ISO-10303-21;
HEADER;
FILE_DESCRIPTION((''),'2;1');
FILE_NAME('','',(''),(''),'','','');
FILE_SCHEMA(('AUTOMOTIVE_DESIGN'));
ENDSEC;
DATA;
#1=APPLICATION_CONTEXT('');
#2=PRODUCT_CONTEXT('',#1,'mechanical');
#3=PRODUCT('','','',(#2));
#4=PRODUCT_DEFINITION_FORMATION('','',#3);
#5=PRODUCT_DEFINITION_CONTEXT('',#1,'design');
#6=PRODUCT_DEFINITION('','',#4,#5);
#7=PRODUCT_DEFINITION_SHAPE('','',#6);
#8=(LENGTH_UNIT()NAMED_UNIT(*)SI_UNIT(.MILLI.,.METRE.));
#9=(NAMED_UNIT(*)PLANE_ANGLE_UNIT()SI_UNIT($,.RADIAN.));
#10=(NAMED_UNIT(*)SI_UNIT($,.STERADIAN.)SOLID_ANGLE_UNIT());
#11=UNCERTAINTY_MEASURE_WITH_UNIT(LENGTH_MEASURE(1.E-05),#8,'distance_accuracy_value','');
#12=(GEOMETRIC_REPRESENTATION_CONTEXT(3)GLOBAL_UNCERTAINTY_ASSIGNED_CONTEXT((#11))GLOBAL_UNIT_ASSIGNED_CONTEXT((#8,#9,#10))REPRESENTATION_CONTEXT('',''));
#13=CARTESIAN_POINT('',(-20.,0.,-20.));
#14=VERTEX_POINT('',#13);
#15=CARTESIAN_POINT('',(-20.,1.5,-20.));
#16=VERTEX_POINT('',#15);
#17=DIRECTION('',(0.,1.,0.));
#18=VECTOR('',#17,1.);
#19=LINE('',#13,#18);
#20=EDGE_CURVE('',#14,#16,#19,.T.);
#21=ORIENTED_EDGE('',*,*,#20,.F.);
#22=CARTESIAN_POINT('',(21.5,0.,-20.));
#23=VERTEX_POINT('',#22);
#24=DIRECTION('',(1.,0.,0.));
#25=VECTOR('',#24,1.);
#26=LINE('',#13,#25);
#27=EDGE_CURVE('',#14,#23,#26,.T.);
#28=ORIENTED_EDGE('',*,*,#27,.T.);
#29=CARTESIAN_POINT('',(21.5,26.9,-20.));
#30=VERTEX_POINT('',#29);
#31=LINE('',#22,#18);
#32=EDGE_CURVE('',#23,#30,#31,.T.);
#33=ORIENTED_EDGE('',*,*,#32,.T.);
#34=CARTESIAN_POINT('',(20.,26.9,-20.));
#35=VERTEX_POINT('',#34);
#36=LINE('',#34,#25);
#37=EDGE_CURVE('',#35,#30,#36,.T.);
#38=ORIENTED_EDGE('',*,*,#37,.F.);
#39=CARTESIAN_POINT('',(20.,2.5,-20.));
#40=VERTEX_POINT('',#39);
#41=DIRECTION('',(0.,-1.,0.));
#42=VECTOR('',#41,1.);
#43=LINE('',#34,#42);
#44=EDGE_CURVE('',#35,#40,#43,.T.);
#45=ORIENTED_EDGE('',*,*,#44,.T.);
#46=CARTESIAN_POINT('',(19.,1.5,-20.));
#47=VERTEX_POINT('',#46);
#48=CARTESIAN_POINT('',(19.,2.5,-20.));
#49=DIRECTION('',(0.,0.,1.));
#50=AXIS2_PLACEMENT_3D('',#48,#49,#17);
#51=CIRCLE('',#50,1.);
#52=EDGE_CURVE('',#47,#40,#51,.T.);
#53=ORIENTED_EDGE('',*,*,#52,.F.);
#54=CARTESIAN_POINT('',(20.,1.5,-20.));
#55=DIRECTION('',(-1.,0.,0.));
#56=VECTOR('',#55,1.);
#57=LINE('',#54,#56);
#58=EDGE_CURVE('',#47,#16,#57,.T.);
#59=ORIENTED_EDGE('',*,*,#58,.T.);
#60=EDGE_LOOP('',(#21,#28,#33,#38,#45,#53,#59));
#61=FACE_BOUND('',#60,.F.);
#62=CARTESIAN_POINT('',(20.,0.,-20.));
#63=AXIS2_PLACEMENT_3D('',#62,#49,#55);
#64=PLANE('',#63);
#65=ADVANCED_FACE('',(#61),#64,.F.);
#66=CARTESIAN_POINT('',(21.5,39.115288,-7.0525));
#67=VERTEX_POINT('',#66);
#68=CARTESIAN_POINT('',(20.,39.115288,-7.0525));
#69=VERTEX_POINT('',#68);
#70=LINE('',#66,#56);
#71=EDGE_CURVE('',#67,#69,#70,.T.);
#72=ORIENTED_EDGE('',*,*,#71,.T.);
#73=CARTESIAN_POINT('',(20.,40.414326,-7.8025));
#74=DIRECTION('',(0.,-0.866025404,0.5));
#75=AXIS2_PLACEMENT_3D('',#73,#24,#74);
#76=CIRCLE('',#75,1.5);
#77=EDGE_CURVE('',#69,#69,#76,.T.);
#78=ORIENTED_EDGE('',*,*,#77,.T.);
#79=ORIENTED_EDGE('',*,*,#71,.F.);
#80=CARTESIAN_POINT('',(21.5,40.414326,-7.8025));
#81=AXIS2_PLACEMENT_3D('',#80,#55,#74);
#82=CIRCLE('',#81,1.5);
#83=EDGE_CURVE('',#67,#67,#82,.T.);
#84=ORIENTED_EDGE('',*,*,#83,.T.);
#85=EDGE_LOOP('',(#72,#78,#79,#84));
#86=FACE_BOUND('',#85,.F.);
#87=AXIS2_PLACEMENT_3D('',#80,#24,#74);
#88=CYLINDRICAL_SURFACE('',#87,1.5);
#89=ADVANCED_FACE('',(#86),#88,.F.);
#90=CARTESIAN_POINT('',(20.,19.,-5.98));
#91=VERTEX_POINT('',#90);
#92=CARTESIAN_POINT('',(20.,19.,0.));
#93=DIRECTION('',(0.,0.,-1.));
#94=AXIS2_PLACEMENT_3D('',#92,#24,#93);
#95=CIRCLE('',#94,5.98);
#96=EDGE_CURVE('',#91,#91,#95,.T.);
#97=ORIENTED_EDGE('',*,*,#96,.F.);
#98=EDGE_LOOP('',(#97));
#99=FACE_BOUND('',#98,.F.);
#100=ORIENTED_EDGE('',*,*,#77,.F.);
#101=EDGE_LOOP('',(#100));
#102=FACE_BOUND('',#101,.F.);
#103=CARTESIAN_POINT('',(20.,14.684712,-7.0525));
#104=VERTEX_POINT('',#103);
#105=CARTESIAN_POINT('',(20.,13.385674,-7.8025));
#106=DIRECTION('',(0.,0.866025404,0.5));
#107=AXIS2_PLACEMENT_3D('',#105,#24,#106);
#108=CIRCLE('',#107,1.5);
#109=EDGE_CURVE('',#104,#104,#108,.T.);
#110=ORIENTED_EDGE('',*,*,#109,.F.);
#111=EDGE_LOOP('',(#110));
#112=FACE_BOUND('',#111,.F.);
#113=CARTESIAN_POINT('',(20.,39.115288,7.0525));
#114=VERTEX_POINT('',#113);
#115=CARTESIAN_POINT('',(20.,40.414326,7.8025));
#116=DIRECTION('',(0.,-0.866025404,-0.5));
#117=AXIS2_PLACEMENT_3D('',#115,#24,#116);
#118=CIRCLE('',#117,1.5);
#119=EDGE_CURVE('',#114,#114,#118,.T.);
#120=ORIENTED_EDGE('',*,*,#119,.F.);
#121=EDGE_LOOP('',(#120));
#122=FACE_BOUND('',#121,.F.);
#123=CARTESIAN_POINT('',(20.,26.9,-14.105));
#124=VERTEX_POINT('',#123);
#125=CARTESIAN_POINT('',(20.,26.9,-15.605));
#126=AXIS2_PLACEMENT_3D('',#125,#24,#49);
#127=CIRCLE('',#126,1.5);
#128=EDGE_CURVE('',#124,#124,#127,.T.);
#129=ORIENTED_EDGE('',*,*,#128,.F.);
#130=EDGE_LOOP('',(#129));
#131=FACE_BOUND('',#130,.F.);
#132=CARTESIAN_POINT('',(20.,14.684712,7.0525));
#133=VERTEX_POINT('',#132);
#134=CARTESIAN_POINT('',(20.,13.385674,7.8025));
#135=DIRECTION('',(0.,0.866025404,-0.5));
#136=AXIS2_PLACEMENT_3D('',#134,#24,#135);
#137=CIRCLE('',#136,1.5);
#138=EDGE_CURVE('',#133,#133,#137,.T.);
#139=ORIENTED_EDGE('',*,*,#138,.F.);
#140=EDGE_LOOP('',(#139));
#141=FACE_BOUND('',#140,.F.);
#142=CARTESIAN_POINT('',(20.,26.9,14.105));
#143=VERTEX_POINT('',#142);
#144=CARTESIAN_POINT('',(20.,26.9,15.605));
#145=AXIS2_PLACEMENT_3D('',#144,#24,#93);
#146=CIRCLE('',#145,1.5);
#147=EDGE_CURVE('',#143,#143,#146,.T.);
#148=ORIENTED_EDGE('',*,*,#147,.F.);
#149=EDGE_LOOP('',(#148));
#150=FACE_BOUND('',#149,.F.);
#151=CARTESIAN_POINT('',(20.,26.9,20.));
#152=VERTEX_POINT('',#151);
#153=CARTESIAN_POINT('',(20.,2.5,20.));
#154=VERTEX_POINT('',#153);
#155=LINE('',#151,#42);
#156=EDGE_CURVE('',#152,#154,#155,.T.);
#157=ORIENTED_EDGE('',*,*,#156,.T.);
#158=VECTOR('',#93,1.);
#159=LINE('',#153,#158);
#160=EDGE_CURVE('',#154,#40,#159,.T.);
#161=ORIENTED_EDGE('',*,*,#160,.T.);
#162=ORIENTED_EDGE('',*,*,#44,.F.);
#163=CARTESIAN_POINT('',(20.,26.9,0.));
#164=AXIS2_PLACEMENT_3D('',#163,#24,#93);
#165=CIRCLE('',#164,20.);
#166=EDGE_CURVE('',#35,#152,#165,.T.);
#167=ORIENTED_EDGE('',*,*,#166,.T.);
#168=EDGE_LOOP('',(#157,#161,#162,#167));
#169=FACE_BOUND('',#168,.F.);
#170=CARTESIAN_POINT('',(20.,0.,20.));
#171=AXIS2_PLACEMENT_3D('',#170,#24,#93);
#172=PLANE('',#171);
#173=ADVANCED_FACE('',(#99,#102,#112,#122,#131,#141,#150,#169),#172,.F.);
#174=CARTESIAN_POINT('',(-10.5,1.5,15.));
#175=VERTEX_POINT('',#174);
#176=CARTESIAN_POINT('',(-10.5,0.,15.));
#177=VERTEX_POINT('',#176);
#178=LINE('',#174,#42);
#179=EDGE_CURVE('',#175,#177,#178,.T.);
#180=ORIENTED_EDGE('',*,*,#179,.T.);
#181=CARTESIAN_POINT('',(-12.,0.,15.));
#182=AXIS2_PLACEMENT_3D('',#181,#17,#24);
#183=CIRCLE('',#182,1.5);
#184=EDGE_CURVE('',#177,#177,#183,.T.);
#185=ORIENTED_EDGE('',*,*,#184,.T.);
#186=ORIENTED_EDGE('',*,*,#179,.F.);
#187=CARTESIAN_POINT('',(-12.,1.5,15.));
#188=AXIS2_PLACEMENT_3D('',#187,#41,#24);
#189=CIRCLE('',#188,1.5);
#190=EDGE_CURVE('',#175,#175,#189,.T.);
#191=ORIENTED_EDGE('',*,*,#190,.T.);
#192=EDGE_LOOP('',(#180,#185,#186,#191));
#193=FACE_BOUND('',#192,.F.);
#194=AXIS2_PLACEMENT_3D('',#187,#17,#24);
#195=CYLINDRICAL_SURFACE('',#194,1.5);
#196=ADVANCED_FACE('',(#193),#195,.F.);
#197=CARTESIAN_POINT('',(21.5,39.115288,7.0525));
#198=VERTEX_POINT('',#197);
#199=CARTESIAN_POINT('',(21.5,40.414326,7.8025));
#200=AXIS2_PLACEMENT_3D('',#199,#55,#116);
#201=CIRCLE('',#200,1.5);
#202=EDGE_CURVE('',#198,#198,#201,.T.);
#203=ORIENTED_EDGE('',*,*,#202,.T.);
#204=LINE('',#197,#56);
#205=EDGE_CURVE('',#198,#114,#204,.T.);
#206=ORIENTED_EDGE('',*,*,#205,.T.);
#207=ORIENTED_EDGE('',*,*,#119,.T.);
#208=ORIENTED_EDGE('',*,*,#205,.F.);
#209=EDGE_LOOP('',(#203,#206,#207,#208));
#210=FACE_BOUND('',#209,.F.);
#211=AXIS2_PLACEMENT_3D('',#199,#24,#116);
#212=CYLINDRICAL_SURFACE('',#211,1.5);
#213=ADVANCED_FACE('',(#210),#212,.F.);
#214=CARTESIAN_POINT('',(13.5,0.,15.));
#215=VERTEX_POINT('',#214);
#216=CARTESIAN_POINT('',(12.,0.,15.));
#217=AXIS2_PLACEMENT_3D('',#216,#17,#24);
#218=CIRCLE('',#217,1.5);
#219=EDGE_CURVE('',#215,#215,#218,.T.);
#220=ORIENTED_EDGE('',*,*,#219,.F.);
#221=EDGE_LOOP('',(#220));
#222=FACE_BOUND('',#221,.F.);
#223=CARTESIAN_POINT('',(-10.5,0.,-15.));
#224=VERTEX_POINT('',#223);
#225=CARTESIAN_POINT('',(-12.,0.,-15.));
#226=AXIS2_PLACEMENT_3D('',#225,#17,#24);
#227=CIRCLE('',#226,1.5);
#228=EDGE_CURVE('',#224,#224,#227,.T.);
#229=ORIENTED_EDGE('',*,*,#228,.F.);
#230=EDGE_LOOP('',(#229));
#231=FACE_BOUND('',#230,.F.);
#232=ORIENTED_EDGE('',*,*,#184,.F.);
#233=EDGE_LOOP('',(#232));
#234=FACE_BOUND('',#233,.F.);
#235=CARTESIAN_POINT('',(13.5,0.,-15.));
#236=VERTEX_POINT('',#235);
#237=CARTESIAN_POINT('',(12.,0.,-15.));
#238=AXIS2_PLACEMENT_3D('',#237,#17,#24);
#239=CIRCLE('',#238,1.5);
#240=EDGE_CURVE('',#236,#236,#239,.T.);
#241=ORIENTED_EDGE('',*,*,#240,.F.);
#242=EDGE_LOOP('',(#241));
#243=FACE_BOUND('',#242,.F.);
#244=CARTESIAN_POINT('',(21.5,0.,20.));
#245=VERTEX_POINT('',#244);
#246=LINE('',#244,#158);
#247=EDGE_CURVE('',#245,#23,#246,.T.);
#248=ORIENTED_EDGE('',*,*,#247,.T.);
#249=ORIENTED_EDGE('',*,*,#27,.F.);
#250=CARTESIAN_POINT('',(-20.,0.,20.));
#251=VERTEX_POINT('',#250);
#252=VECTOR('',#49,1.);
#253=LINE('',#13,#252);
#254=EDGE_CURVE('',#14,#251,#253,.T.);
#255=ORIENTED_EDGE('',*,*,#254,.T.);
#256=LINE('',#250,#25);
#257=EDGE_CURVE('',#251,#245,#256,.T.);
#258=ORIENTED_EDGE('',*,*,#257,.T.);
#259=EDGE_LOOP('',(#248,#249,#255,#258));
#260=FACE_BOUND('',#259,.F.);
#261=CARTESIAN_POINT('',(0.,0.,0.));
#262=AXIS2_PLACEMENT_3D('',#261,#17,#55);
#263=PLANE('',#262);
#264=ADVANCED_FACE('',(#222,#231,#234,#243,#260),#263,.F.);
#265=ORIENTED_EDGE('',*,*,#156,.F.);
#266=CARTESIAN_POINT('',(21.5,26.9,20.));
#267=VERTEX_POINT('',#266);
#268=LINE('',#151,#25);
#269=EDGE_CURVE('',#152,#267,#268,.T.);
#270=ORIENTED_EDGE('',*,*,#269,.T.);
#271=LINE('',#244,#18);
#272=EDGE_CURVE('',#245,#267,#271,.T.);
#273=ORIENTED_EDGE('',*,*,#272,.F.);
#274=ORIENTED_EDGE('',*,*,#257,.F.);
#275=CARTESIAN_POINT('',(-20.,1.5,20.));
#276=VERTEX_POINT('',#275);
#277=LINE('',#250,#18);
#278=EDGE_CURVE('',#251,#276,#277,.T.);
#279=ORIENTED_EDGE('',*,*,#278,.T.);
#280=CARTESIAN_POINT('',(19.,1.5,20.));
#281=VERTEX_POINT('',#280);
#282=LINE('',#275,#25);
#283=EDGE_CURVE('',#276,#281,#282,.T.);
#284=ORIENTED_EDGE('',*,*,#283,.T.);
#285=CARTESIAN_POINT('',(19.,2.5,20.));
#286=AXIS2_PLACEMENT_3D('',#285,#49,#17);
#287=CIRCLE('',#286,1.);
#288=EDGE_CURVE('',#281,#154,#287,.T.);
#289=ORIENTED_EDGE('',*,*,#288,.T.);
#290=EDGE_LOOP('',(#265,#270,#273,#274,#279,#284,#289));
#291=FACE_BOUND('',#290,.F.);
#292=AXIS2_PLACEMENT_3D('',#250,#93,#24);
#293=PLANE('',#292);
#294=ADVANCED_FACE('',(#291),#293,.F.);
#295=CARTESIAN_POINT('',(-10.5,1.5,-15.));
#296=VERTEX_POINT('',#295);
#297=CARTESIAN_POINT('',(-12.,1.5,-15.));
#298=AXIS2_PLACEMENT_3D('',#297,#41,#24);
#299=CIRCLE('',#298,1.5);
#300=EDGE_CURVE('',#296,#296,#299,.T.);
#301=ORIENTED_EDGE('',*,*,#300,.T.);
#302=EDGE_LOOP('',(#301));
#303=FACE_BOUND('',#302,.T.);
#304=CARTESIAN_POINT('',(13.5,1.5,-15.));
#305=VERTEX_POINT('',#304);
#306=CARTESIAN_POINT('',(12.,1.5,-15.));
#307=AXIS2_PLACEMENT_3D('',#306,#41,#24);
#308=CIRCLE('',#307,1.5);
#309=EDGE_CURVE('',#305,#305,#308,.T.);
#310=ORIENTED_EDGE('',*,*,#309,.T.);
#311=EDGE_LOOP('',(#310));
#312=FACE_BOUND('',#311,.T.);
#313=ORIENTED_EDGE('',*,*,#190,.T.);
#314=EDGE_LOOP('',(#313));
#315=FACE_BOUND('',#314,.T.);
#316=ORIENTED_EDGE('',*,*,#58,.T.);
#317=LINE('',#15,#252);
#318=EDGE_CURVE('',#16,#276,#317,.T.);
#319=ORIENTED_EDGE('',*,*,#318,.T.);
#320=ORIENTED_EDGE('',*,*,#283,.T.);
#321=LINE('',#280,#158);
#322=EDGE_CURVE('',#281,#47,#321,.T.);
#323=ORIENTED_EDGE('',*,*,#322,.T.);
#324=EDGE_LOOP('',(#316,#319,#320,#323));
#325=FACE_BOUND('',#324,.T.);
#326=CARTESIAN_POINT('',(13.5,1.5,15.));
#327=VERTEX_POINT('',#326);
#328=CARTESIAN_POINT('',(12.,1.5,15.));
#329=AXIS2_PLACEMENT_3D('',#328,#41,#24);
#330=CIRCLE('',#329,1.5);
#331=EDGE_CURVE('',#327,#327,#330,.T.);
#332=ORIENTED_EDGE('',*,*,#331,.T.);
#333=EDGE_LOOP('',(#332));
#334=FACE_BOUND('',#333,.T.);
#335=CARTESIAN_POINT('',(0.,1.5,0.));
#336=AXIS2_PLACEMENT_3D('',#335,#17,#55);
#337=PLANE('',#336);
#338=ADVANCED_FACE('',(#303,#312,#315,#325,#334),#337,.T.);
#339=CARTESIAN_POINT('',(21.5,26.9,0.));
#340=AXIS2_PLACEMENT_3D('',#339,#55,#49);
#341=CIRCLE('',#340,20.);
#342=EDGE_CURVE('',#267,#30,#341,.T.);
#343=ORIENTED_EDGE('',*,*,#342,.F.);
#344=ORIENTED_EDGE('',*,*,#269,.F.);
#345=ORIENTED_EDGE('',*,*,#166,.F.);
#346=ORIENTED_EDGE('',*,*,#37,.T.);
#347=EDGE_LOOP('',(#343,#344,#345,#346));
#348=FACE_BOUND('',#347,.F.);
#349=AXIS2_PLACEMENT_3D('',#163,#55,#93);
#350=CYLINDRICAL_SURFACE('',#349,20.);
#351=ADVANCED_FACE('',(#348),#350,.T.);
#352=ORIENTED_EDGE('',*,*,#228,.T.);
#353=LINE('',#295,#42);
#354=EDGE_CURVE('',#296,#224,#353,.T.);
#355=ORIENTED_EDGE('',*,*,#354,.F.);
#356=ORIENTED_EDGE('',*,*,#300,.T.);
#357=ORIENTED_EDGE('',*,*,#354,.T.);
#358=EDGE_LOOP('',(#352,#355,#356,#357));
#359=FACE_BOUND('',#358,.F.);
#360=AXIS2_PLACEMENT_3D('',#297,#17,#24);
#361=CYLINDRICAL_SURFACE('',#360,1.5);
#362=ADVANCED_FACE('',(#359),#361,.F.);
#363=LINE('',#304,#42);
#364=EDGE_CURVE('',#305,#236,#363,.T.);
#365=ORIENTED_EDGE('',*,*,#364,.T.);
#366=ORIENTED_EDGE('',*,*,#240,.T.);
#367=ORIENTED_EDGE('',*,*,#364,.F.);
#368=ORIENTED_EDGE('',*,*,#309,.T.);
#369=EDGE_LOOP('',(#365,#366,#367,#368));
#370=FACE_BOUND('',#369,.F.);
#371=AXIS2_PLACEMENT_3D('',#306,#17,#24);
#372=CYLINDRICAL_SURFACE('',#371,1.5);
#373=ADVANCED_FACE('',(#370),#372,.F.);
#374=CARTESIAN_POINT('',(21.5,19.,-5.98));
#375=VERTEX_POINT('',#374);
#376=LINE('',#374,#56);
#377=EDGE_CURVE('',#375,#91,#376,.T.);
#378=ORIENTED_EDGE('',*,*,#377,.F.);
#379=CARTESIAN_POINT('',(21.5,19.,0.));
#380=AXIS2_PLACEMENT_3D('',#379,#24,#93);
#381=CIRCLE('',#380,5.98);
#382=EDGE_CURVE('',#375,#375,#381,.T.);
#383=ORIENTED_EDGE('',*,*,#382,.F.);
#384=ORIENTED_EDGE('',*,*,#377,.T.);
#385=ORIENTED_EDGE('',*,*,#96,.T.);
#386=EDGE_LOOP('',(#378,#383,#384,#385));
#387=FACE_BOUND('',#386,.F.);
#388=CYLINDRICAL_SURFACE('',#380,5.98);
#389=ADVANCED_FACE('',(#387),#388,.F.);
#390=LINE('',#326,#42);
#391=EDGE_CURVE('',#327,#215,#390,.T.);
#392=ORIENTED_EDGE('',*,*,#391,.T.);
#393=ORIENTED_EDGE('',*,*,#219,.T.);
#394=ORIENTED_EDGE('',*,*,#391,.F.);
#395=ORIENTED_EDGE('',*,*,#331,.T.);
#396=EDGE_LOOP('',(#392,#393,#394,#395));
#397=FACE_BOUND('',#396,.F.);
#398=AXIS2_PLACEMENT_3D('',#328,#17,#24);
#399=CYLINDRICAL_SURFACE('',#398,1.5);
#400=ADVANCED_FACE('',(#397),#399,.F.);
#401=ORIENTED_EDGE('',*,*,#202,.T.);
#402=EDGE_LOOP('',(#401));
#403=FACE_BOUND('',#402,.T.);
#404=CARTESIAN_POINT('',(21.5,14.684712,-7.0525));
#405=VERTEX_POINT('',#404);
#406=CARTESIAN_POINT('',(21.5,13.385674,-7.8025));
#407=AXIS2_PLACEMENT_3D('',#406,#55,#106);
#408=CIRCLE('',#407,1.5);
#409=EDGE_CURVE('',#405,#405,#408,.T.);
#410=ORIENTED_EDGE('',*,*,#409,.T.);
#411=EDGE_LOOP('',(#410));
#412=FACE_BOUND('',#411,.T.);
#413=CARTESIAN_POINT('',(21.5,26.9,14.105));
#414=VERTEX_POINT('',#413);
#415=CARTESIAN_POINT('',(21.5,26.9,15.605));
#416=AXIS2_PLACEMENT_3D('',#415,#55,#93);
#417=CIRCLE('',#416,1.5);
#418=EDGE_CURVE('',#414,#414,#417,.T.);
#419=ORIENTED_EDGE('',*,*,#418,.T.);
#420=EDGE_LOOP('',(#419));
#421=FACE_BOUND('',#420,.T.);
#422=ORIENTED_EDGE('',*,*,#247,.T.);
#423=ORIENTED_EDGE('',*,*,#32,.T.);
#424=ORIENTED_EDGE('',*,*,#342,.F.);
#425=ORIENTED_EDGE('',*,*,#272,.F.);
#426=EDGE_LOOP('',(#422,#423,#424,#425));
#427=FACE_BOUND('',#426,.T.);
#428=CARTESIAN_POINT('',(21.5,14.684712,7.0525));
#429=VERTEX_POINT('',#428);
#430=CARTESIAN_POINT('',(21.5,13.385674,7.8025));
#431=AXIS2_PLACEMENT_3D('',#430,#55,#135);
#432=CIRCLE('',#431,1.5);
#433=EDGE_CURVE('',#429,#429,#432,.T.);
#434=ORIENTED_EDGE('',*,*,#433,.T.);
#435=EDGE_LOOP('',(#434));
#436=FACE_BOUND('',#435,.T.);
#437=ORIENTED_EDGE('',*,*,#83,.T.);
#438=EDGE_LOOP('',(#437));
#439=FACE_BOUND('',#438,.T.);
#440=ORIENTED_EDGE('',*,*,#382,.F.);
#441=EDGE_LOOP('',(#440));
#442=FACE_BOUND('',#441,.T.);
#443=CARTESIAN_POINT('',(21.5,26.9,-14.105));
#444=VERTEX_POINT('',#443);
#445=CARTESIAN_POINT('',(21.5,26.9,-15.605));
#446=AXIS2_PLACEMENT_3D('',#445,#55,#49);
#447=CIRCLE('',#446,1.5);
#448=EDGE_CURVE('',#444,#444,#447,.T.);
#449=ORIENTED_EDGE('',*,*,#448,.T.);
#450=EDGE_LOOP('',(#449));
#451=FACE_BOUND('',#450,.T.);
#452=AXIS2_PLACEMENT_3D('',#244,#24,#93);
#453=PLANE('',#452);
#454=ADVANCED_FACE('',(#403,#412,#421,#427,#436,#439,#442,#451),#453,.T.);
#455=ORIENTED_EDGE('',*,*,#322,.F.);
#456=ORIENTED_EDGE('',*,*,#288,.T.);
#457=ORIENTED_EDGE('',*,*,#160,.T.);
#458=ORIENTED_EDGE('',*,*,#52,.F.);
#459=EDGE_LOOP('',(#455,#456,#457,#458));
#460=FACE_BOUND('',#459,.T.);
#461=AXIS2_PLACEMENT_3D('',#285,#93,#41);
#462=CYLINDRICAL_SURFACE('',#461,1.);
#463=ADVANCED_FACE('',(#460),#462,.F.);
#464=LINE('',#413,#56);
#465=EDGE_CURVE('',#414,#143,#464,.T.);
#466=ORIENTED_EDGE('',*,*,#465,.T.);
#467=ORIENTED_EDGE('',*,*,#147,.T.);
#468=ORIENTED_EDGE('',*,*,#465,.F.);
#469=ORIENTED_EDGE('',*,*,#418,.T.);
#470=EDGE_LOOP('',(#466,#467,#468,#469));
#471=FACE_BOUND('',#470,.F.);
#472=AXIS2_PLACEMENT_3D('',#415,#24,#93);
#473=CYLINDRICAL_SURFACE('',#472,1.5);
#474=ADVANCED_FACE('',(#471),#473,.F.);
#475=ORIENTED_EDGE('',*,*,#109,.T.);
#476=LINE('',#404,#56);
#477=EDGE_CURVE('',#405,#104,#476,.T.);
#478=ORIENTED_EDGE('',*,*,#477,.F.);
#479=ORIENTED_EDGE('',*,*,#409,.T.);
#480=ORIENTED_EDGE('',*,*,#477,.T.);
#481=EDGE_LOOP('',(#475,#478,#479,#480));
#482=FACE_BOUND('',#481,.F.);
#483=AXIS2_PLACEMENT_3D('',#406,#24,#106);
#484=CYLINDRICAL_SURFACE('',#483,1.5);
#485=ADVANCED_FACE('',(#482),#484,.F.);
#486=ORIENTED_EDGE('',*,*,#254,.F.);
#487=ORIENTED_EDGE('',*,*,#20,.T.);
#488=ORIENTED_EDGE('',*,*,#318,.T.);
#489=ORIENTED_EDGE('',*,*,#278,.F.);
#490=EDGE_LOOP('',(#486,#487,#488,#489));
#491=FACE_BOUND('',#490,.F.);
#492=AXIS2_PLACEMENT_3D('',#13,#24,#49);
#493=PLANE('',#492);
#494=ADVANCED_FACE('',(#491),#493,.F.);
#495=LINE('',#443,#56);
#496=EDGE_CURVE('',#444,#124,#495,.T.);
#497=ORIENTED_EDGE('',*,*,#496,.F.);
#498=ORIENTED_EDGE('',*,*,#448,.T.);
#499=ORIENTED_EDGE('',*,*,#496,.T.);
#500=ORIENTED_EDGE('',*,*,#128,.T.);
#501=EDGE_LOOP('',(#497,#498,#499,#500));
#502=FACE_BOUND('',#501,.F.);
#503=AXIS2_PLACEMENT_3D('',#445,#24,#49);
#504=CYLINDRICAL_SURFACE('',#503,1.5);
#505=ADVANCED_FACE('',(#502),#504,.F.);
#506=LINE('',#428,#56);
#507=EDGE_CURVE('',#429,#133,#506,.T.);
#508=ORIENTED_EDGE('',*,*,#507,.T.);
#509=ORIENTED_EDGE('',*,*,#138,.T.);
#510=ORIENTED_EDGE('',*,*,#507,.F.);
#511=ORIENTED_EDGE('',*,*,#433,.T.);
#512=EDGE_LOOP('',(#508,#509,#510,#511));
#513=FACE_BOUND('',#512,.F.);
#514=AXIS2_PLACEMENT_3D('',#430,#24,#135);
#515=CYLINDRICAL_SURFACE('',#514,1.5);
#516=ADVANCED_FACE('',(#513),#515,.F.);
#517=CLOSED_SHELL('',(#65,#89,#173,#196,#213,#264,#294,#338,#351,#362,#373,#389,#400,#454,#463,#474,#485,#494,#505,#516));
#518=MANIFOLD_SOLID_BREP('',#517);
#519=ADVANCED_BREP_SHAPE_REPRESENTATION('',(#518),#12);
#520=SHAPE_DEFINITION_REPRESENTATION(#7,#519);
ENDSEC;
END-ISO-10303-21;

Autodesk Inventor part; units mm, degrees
ref_plane "YZ Plane" through (0, 0, 0) normal (1, 0, 0) x (0, 1, 0)
ref_plane "XZ Plane" through (0, 0, 0) normal (0, 1, 0) x (-1, 0, 0)
ref_plane "XY Plane" through (0, 0, 0) normal (0, 0, 1) x (1, 0, 0)
sketch "Sketch1" plane through (0, 0, 0) normal (0, 1, 0) x (-1, 0, 0)
  line L0 (-20, 20) -> (-20, -20)
  line L1 (-20, -20) -> (20, -20)
  line L2 (20, -20) -> (20, 20)
  line L3 (20, 20) -> (-20, 20)
  line L4 (-20, 20) -> (20, -20) construction
  line L5 (-20, -20) -> (20, 20) construction
  point P0 (0, 0)
  point P1 (0, -20)
  dimension "d0" = 40
  dimension "d1" = 40
extrude "Extrusion1" add sketch "Sketch1" along normal blind 1.5
sketch "Sketch2" plane through (20, 0, 20) normal (1, 0, 0) x (0, 0, -1)
  circle A0 centre (20, 26.9) radius 20
  line L0 (40, 1.5) -> (40, 46.9)
  line L1 (40, 1.5) -> (0, 1.5) projected
  line L2 (0, 1.5) -> (0, 46.9)
  line L3 (0, 46.9) -> (40, 46.9)
  line L4 (0, 0) -> (40, 0) projected
  line L5 (0, 0) -> (0, 1.5) projected
  line L6 (0, 1.5) -> (0, 0)
  line L7 (40, 0) -> (0, 0) projected
  line L8 (0, 0) -> (40, 0)
  line L9 (40, 0) -> (40, 1.5) projected
  line L10 (40, 0) -> (40, 1.5)
  point P0 (20, 0)
  point P1 (40, 26.9)
  point P2 (0, 26.9)
  dimension "d4" = 45.4
extrude "Extrusion2" add sketch "Sketch2" along normal blind 1.5 contours A0 | L0 L1 L2 A0 | L9 L4 L5 L1
fillet "Fillet1" radius 1 1 edges at (20, 1.5, 0)
sketch "Sketch3" plane through (21.5, 0, 20) normal (1, 0, 0) x (0, 0, -1)
  arc A0 (40, 26.9) -> (0, 26.9) centre (20, 26.9) ccw projected
  circle A1 centre (20, 26.9) radius 15.605
  circle A2 centre (20, 19) radius 5.98
  circle A3 centre (4.395, 26.9) radius 1.5
  point P0 (20, 0)
  dimension "d8" = 31.21
  dimension "d9" = 7.9
  dimension "d10" = 11.96
  dimension "d11" = 3
extrude "Extrusion3" cut sketch "Sketch3" against normal up to surface (1.5 mm away) contours A2
extrude "Extrusion4" cut sketch "Sketch3" against normal up to surface (1.5 mm away) contours A3 A1 | A1 A3 picked at (4.9003, 26.9) picked at (3.9042, 26.9621)
pattern_circular "Circular Pattern1" count 6 over 360 about axis through (20, 26.9, 0) along (1, 0, 0) of "Extrusion4"
sketch "Sketch4" plane through (0, 1.5, 0) normal (0, 1, 0) x (1, 0, 0)
  line L0 (12, 15) -> (-12, 15)
  line L1 (-12, 15) -> (-12, -15)
  line L2 (-12, -15) -> (12, -15)
  line L3 (12, -15) -> (12, 15)
  line L4 (-20, 20) -> (-20, -20) projected
  line L5 (-20, -20) -> (19, -20) projected
  circle A0 centre (-12, 15) radius 1.5
  point P0 (0, 0)
  dimension "d19" = 30
  dimension "d20" = 24
  dimension "d21" = 8
  dimension "d22" = 5
  dimension "d23" = 3
extrude "Extrusion5" cut sketch "Sketch4" against normal up to surface (1.5 mm away) contours A0 L1 L0 | L0 L1 A0
pattern_linear "Rectangular Pattern1" count 2 spacing 24 along (1, 0, 0) count 2 spacing 30 along (0, 0, 1) of "Extrusion5"
properties part number "motor_support"
